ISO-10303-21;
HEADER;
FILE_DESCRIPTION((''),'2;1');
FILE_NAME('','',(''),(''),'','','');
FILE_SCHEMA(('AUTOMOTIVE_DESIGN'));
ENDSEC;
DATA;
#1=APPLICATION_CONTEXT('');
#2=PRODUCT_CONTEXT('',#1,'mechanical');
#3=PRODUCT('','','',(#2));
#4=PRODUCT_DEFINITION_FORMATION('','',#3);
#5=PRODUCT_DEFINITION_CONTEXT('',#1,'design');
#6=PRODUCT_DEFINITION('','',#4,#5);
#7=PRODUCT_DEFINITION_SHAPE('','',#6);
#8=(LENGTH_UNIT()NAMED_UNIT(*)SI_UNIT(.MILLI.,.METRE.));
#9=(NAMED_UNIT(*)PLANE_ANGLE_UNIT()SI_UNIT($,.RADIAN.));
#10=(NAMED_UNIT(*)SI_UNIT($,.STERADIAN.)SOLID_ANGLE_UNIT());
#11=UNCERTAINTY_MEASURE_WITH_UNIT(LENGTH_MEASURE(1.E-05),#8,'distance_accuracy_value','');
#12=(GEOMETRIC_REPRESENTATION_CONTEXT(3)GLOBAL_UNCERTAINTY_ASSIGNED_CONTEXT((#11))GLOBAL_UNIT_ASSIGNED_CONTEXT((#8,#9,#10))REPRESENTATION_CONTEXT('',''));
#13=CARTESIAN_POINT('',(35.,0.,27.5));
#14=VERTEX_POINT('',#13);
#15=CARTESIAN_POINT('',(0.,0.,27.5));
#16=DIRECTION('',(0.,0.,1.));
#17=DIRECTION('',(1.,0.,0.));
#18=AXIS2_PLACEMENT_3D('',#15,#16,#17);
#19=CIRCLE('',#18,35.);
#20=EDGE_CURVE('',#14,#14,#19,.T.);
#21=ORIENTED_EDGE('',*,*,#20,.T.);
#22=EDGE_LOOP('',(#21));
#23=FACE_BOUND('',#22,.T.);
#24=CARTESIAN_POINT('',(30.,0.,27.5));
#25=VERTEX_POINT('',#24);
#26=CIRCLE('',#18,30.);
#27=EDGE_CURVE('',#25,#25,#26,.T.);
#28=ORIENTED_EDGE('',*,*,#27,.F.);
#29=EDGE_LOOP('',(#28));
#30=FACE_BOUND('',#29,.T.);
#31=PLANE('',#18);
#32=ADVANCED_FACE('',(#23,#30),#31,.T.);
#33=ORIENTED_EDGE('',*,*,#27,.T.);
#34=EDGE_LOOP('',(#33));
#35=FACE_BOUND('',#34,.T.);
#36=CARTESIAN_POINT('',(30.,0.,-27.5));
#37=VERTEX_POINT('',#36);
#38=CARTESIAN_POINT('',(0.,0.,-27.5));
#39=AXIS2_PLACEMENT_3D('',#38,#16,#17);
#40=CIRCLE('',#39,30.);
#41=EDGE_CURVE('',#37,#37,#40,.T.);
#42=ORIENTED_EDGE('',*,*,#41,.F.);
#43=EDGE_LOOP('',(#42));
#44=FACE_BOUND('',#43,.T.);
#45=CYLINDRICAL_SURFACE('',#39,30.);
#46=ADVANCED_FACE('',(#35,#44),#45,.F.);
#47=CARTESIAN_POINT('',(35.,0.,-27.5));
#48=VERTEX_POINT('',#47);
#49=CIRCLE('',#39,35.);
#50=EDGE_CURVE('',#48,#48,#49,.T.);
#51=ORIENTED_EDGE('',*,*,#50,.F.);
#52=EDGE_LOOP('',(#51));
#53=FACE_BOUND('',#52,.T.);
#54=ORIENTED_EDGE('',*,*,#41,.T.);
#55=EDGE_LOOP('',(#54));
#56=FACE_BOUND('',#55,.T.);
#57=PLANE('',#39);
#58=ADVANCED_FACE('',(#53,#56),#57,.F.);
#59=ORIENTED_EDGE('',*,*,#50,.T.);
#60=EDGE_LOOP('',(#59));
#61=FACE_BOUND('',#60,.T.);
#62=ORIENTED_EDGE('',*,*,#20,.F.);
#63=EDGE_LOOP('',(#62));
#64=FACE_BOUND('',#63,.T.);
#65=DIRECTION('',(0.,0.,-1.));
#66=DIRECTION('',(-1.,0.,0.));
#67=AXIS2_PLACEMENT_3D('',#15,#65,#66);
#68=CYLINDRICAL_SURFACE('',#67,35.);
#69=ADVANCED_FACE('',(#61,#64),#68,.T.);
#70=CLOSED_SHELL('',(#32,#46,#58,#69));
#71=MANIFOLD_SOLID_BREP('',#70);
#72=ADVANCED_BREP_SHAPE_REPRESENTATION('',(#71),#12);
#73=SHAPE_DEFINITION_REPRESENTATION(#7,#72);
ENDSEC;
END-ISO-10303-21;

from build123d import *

# Parameters (mm, degrees)
SKETCH2_R           = 35
BOSS_EXTRUDE1_DEPTH = 27.5
SKETCH3_R           = 30
CUT_EXTRUDE1_DEPTH  = 74.993242935


with BuildPart() as part:
    # Sketch2 → Boss-Extrude1 (new, symmetric)
    with BuildSketch(Plane.XY):
        Circle(SKETCH2_R)
    extrude(amount=BOSS_EXTRUDE1_DEPTH, both=True)

    # Sketch3 → Cut-Extrude1 (cut, through all)
    with BuildSketch(Plane.XY.offset(27.5)):
        Circle(SKETCH3_R)
    extrude(amount=-CUT_EXTRUDE1_DEPTH, mode=Mode.SUBTRACT)


solid = part.part
